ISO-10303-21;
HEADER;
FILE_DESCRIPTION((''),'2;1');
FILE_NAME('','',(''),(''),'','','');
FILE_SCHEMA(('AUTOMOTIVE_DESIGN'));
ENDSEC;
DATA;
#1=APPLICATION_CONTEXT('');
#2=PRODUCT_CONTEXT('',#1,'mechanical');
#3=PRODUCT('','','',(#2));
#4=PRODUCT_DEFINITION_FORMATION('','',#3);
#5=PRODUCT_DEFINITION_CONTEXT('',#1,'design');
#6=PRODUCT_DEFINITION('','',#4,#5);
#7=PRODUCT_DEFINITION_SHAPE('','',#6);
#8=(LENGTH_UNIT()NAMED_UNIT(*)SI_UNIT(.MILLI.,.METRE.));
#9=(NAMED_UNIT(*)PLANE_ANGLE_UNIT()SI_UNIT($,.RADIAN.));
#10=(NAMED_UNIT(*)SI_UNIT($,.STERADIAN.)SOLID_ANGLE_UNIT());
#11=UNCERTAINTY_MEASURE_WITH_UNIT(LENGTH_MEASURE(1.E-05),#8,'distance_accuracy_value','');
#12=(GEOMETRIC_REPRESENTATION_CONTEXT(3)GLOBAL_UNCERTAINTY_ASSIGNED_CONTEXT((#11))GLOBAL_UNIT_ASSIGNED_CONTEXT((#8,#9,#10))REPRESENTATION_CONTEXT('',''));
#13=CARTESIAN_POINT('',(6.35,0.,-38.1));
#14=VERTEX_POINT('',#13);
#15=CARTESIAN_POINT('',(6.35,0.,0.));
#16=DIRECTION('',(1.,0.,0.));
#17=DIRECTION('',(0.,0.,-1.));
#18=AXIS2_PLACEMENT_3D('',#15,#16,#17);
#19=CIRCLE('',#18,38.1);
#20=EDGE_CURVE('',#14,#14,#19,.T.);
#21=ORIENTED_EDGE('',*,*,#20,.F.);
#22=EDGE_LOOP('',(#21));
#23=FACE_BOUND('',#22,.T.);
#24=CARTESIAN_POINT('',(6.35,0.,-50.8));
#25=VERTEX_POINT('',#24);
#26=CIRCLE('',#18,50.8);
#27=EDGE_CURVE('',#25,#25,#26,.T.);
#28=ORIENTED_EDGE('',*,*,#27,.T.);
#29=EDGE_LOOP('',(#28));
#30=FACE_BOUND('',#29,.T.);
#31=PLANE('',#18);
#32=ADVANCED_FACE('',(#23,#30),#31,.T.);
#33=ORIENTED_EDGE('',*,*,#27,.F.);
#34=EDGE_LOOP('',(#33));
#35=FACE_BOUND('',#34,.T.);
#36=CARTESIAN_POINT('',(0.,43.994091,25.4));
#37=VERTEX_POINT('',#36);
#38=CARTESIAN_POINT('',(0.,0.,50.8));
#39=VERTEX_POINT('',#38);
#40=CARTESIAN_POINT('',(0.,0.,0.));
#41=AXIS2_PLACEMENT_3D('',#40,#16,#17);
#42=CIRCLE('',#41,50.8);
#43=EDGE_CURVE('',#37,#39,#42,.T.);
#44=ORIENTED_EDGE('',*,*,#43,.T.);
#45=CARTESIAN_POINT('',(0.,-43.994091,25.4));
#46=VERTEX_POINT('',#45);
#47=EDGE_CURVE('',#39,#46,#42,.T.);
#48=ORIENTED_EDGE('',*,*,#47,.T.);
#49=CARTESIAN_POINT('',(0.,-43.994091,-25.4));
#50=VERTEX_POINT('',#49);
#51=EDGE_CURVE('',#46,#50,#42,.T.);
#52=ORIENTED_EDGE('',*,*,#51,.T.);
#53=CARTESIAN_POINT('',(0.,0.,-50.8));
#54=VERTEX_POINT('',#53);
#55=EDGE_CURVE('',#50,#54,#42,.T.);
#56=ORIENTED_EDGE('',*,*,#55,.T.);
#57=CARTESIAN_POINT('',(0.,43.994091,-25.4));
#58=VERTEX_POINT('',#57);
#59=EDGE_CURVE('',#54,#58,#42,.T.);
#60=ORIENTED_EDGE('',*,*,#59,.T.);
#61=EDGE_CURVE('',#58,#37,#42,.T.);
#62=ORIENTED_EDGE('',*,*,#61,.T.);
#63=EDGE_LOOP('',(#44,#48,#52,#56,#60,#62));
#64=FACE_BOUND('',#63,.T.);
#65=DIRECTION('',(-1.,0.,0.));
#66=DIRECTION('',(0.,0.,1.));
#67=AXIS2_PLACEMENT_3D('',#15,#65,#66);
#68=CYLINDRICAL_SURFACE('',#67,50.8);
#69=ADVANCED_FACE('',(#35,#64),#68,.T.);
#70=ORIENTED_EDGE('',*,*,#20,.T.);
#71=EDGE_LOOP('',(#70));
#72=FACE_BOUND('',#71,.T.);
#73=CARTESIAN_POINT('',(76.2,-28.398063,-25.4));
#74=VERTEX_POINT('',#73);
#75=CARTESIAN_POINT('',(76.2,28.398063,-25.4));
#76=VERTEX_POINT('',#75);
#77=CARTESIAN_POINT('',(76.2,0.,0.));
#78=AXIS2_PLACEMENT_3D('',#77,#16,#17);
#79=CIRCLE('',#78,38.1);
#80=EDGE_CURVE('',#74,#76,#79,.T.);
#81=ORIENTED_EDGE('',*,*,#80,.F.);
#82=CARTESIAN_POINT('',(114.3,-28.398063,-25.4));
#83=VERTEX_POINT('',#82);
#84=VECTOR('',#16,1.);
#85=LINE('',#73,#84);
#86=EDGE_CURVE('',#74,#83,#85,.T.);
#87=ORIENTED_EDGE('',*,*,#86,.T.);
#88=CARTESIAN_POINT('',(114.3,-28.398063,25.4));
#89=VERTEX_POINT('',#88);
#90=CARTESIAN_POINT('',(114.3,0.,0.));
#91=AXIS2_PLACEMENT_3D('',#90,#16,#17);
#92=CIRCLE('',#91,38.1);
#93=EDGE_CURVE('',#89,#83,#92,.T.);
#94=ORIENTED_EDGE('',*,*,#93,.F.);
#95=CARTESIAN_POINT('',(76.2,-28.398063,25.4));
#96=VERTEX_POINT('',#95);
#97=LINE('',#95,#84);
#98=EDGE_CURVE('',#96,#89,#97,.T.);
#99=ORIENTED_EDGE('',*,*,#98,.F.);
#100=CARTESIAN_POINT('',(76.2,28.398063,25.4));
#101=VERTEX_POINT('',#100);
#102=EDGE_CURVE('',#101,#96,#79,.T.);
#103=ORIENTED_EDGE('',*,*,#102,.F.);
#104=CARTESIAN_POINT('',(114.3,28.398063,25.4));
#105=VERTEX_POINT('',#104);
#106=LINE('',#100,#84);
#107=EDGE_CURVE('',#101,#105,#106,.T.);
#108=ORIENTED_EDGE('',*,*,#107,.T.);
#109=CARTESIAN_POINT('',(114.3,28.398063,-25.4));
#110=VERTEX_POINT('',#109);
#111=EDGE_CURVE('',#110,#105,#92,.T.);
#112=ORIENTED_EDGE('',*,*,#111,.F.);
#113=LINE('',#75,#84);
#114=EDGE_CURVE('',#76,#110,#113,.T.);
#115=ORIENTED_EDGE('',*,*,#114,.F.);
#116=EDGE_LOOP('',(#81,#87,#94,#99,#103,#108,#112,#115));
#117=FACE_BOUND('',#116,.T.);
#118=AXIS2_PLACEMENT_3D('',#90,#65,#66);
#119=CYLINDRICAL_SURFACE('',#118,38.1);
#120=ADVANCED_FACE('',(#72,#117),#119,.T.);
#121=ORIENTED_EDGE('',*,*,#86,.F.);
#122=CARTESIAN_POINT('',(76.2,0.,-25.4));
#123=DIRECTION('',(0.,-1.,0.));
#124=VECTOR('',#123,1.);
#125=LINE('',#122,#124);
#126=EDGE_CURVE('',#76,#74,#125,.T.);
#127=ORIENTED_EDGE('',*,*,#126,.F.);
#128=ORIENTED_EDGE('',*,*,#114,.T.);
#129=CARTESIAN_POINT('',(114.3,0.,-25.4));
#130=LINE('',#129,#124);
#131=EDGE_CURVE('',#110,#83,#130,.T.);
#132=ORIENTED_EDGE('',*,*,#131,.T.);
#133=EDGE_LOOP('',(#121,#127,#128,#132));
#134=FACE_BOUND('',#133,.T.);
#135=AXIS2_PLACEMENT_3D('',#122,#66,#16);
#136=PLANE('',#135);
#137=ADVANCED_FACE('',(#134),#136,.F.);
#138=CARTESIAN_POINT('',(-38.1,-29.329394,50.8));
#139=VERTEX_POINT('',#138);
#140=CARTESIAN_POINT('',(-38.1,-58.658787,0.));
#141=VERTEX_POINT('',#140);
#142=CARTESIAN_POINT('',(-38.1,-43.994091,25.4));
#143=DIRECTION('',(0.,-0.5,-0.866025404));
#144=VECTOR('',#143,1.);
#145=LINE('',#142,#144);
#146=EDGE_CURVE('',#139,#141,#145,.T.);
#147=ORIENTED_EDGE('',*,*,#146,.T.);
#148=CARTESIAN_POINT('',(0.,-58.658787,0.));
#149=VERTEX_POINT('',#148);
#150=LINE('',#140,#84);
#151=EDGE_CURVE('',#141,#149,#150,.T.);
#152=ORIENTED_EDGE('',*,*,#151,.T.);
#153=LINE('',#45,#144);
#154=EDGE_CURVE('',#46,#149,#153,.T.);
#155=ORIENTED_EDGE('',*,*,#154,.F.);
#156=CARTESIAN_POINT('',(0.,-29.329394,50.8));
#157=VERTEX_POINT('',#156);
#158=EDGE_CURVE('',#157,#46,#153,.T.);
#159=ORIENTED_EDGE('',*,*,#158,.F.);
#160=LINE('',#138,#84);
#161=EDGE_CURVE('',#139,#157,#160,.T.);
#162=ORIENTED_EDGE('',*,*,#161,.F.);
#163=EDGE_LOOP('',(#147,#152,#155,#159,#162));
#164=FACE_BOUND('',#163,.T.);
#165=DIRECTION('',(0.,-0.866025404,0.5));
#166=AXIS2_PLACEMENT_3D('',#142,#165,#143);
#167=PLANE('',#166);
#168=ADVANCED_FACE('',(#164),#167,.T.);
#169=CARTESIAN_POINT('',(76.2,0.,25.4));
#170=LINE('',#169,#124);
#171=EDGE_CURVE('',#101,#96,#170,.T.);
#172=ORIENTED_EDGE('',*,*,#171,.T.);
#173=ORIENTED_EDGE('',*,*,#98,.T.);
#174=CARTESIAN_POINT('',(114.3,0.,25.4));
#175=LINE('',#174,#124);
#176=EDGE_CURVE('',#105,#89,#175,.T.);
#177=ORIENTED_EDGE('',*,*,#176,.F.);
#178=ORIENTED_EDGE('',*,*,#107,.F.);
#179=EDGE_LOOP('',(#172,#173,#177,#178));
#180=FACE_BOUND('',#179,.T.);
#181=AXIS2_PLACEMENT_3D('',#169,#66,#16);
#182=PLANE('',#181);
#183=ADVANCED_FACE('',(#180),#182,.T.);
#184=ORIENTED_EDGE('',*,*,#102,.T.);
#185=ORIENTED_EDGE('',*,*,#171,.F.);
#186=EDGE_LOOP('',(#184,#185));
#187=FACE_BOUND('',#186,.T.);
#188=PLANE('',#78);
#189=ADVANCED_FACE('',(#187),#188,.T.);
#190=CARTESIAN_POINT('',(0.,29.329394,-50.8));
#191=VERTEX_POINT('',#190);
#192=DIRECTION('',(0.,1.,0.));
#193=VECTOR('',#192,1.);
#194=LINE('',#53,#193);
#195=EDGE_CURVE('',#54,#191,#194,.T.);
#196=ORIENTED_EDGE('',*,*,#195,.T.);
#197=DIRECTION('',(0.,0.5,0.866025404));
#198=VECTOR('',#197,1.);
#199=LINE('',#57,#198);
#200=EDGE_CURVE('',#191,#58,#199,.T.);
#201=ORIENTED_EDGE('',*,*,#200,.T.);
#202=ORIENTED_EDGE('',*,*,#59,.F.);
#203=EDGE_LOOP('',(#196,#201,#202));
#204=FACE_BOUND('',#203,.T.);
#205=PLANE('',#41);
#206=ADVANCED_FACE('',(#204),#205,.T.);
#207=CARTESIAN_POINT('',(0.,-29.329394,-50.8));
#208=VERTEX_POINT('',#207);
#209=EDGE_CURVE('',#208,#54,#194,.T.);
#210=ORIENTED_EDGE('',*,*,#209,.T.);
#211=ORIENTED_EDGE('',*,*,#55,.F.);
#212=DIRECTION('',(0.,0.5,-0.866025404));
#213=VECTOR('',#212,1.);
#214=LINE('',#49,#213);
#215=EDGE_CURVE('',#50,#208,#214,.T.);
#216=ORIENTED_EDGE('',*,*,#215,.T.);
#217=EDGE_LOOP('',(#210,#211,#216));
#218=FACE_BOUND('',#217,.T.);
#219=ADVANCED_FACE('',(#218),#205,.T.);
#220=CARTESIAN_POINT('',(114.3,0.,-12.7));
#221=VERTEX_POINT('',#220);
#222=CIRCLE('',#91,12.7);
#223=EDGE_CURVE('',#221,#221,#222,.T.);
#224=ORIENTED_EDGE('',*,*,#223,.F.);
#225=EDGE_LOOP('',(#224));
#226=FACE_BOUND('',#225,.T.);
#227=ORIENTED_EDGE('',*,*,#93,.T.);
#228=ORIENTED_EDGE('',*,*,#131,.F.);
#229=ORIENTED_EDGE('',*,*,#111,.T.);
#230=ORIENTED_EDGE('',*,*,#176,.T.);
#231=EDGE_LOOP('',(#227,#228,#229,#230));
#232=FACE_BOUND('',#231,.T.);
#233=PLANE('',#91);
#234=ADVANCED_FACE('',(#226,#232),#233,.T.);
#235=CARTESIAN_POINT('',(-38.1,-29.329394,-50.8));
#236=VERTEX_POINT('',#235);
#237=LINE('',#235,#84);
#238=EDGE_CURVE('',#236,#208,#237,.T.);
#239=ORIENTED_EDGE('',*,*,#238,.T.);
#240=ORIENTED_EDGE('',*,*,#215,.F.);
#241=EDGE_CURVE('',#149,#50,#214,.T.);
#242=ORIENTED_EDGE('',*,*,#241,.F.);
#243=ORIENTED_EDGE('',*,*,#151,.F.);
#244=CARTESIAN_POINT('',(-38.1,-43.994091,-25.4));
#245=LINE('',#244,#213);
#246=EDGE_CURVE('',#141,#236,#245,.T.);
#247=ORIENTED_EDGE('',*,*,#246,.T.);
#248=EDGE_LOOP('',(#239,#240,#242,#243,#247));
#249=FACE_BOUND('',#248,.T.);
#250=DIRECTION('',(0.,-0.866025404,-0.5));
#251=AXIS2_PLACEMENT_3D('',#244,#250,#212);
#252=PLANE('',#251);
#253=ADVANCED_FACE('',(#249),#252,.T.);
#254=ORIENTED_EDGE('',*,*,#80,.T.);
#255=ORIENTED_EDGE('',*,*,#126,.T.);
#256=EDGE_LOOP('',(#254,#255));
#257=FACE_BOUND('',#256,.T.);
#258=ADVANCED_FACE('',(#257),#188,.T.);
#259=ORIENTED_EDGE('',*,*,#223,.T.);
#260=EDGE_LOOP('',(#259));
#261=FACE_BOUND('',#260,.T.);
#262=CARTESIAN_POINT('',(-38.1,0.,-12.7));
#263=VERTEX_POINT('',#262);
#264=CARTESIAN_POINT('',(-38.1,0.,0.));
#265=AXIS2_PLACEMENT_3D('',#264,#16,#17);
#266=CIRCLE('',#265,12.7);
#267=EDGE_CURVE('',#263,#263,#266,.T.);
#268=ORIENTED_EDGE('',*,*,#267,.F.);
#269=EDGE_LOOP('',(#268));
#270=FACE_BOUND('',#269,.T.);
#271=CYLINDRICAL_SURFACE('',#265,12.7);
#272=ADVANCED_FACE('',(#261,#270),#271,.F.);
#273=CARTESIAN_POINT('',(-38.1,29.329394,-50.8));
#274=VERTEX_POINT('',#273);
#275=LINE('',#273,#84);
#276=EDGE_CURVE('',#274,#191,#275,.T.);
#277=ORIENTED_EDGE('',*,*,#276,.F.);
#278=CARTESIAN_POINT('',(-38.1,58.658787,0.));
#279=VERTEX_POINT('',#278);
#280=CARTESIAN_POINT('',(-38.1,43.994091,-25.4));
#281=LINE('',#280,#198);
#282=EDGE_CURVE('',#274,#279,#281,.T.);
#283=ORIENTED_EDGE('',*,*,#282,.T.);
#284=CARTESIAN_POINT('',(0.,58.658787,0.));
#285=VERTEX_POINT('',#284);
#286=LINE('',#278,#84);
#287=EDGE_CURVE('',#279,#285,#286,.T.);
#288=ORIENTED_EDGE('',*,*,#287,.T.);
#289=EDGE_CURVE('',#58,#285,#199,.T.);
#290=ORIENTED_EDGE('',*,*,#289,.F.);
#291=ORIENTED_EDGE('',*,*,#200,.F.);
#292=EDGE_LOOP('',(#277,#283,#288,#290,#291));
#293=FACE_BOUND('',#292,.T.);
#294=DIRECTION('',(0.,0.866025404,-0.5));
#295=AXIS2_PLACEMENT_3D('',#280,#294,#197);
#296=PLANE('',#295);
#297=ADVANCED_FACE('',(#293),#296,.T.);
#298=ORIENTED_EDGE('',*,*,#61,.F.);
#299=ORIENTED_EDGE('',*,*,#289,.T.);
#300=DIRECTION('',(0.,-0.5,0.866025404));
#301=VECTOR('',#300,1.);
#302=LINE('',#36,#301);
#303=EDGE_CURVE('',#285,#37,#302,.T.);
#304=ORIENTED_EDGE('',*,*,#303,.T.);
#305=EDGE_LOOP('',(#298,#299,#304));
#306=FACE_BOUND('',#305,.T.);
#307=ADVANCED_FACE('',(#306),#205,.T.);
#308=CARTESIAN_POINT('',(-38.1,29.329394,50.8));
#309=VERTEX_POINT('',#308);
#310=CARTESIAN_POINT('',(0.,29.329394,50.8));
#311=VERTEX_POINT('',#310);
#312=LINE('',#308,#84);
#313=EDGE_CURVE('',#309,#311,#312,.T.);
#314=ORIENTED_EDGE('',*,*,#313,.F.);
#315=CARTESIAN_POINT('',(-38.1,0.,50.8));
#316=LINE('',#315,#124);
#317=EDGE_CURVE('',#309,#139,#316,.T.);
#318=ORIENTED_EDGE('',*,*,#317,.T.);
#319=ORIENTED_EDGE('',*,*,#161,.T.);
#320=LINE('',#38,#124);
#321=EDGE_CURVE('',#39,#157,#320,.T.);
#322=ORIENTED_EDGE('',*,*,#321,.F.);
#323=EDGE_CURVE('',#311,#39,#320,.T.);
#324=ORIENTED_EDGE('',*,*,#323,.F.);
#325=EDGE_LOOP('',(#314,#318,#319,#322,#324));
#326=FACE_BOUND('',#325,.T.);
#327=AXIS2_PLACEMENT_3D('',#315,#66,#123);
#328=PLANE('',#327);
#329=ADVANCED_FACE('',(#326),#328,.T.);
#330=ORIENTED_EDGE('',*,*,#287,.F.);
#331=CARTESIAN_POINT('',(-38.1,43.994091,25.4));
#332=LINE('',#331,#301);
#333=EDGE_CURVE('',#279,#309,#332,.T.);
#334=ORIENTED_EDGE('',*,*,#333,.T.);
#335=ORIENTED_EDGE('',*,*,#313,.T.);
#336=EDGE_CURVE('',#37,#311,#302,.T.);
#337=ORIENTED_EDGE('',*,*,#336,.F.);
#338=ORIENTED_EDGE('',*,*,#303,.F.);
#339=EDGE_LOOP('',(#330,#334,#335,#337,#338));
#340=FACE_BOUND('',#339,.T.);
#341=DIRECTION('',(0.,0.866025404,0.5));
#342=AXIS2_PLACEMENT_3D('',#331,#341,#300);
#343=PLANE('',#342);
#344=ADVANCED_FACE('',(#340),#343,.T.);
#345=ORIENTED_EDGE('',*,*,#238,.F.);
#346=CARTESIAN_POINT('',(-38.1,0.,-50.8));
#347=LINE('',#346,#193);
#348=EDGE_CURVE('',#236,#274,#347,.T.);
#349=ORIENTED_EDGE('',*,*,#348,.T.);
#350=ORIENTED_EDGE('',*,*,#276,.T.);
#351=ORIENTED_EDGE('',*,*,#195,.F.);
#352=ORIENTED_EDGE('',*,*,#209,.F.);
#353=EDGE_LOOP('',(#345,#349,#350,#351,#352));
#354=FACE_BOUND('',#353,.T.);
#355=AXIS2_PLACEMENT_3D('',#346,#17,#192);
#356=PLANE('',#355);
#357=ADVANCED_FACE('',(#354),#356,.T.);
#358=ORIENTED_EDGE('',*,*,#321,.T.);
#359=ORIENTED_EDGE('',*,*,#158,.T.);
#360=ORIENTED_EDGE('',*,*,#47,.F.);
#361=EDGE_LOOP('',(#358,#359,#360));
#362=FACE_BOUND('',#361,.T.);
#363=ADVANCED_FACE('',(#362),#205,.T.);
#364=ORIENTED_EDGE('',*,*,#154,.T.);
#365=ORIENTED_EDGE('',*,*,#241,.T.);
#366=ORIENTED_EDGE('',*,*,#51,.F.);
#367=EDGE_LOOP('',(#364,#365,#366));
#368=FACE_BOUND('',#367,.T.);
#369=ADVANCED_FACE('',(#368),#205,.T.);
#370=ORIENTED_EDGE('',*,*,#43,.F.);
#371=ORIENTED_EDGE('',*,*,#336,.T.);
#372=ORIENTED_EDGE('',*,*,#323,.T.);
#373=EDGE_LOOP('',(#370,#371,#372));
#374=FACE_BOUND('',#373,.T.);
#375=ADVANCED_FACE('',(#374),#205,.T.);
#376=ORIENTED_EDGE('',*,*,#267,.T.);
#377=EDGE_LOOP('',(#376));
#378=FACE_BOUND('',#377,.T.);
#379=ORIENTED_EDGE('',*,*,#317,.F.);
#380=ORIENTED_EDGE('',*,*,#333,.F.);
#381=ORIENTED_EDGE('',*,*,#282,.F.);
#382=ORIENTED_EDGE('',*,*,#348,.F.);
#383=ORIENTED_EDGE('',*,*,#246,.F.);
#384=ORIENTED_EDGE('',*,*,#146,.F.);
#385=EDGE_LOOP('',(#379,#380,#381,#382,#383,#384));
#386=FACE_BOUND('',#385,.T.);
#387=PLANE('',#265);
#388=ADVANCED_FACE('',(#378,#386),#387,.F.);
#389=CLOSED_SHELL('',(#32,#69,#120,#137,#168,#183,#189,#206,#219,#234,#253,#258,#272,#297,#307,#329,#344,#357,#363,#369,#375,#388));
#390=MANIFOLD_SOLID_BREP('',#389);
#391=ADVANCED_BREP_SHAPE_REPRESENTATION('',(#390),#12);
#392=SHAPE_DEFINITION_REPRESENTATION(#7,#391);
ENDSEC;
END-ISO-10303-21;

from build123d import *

# Parameters (mm, degrees)
BOSS_EXTRUDE1_DEPTH = 38.1
BOSS_EXTRUDE2_DEPTH = 6.35
SKETCH2_R           = 38.1
BOSS_EXTRUDE3_DEPTH = 107.95
SKETCH3_R           = 12.7
CUT_EXTRUDE1_DEPTH  = 172.018283623
CUT_EXTRUDE2_START  = -38.1
CUT_EXTRUDE2_DEPTH  = 38.1


with BuildPart() as part:
    # Sketch1 → Boss-Extrude1 (new body)
    with BuildSketch(Plane(origin=(0, 0, 0), x_dir=(0, 0, -1), z_dir=(1, 0, 0))):
        Polygon((50.8, 29.329393675), (0, 58.65878735), (-50.8, 29.329393675), (-50.8, -29.329393675), (0, -58.65878735), (50.8, -29.329393675), align=None)
    extrude(amount=-BOSS_EXTRUDE1_DEPTH)

    # Sketch1<3> → Boss-Extrude2 (add)
    with BuildSketch(Plane(origin=(0, 0, 0), x_dir=(0, 0, -1), z_dir=(1, 0, 0))):
        with BuildLine():
            ThreePointArc((50.8, 0), (43.994090583, 25.399999877), (25.400000247, 43.99409037))
            ThreePointArc((25.400000247, 43.99409037), (3.52e-07, 50.8), (-25.399999637, 43.994090722))
            ThreePointArc((-25.399999637, 43.994090722), (-43.994090395, 25.400000202), (-50.8, 4.8e-08))
            ThreePointArc((-50.8, 4.8e-08), (-43.994090651, -25.399999759), (-25.400000441, -43.994090258))
            ThreePointArc((-25.400000441, -43.994090258), (-2.2e-07, -50.8), (25.400000059, -43.994090478))
            ThreePointArc((25.400000059, -43.994090478), (43.994090529, -25.39999997), (50.8, 0))
        make_face()
    extrude(amount=BOSS_EXTRUDE2_DEPTH)

    # Sketch2 → Boss-Extrude3 (add)
    with BuildSketch(Plane(origin=(6.35, 0, 0), x_dir=(0, 0, -1), z_dir=(1, 0, 0))):
        Circle(SKETCH2_R)
    extrude(amount=BOSS_EXTRUDE3_DEPTH)

    # Sketch3 → Cut-Extrude1 (cut, through all)
    with BuildSketch(Plane(origin=(114.3, 0, 0), x_dir=(0, 0, -1), z_dir=(1, 0, 0))):
        Circle(SKETCH3_R)
    extrude(amount=-CUT_EXTRUDE1_DEPTH, mode=Mode.SUBTRACT)

    # Sketch3<3> → Cut-Extrude2 (cut)
    with BuildSketch(Plane(origin=(114.3, 0, 0), x_dir=(0, 0, -1), z_dir=(1, 0, 0)).offset(CUT_EXTRUDE2_START)):
        with BuildLine():
            Line((-25.4, -28.398063314), (-25.4, 28.398063314))
            ThreePointArc((-25.4, 28.398063314), (-38.1, 0), (-25.4, -28.398063314))
        make_face()
        with BuildLine():
            ThreePointArc((25.4, -28.398063314), (38.1, 0), (25.4, 28.398063314))
            Line((25.4, 28.398063314), (25.4, -28.398063314))
        make_face()
    extrude(amount=CUT_EXTRUDE2_DEPTH, mode=Mode.SUBTRACT)


solid = part.part
